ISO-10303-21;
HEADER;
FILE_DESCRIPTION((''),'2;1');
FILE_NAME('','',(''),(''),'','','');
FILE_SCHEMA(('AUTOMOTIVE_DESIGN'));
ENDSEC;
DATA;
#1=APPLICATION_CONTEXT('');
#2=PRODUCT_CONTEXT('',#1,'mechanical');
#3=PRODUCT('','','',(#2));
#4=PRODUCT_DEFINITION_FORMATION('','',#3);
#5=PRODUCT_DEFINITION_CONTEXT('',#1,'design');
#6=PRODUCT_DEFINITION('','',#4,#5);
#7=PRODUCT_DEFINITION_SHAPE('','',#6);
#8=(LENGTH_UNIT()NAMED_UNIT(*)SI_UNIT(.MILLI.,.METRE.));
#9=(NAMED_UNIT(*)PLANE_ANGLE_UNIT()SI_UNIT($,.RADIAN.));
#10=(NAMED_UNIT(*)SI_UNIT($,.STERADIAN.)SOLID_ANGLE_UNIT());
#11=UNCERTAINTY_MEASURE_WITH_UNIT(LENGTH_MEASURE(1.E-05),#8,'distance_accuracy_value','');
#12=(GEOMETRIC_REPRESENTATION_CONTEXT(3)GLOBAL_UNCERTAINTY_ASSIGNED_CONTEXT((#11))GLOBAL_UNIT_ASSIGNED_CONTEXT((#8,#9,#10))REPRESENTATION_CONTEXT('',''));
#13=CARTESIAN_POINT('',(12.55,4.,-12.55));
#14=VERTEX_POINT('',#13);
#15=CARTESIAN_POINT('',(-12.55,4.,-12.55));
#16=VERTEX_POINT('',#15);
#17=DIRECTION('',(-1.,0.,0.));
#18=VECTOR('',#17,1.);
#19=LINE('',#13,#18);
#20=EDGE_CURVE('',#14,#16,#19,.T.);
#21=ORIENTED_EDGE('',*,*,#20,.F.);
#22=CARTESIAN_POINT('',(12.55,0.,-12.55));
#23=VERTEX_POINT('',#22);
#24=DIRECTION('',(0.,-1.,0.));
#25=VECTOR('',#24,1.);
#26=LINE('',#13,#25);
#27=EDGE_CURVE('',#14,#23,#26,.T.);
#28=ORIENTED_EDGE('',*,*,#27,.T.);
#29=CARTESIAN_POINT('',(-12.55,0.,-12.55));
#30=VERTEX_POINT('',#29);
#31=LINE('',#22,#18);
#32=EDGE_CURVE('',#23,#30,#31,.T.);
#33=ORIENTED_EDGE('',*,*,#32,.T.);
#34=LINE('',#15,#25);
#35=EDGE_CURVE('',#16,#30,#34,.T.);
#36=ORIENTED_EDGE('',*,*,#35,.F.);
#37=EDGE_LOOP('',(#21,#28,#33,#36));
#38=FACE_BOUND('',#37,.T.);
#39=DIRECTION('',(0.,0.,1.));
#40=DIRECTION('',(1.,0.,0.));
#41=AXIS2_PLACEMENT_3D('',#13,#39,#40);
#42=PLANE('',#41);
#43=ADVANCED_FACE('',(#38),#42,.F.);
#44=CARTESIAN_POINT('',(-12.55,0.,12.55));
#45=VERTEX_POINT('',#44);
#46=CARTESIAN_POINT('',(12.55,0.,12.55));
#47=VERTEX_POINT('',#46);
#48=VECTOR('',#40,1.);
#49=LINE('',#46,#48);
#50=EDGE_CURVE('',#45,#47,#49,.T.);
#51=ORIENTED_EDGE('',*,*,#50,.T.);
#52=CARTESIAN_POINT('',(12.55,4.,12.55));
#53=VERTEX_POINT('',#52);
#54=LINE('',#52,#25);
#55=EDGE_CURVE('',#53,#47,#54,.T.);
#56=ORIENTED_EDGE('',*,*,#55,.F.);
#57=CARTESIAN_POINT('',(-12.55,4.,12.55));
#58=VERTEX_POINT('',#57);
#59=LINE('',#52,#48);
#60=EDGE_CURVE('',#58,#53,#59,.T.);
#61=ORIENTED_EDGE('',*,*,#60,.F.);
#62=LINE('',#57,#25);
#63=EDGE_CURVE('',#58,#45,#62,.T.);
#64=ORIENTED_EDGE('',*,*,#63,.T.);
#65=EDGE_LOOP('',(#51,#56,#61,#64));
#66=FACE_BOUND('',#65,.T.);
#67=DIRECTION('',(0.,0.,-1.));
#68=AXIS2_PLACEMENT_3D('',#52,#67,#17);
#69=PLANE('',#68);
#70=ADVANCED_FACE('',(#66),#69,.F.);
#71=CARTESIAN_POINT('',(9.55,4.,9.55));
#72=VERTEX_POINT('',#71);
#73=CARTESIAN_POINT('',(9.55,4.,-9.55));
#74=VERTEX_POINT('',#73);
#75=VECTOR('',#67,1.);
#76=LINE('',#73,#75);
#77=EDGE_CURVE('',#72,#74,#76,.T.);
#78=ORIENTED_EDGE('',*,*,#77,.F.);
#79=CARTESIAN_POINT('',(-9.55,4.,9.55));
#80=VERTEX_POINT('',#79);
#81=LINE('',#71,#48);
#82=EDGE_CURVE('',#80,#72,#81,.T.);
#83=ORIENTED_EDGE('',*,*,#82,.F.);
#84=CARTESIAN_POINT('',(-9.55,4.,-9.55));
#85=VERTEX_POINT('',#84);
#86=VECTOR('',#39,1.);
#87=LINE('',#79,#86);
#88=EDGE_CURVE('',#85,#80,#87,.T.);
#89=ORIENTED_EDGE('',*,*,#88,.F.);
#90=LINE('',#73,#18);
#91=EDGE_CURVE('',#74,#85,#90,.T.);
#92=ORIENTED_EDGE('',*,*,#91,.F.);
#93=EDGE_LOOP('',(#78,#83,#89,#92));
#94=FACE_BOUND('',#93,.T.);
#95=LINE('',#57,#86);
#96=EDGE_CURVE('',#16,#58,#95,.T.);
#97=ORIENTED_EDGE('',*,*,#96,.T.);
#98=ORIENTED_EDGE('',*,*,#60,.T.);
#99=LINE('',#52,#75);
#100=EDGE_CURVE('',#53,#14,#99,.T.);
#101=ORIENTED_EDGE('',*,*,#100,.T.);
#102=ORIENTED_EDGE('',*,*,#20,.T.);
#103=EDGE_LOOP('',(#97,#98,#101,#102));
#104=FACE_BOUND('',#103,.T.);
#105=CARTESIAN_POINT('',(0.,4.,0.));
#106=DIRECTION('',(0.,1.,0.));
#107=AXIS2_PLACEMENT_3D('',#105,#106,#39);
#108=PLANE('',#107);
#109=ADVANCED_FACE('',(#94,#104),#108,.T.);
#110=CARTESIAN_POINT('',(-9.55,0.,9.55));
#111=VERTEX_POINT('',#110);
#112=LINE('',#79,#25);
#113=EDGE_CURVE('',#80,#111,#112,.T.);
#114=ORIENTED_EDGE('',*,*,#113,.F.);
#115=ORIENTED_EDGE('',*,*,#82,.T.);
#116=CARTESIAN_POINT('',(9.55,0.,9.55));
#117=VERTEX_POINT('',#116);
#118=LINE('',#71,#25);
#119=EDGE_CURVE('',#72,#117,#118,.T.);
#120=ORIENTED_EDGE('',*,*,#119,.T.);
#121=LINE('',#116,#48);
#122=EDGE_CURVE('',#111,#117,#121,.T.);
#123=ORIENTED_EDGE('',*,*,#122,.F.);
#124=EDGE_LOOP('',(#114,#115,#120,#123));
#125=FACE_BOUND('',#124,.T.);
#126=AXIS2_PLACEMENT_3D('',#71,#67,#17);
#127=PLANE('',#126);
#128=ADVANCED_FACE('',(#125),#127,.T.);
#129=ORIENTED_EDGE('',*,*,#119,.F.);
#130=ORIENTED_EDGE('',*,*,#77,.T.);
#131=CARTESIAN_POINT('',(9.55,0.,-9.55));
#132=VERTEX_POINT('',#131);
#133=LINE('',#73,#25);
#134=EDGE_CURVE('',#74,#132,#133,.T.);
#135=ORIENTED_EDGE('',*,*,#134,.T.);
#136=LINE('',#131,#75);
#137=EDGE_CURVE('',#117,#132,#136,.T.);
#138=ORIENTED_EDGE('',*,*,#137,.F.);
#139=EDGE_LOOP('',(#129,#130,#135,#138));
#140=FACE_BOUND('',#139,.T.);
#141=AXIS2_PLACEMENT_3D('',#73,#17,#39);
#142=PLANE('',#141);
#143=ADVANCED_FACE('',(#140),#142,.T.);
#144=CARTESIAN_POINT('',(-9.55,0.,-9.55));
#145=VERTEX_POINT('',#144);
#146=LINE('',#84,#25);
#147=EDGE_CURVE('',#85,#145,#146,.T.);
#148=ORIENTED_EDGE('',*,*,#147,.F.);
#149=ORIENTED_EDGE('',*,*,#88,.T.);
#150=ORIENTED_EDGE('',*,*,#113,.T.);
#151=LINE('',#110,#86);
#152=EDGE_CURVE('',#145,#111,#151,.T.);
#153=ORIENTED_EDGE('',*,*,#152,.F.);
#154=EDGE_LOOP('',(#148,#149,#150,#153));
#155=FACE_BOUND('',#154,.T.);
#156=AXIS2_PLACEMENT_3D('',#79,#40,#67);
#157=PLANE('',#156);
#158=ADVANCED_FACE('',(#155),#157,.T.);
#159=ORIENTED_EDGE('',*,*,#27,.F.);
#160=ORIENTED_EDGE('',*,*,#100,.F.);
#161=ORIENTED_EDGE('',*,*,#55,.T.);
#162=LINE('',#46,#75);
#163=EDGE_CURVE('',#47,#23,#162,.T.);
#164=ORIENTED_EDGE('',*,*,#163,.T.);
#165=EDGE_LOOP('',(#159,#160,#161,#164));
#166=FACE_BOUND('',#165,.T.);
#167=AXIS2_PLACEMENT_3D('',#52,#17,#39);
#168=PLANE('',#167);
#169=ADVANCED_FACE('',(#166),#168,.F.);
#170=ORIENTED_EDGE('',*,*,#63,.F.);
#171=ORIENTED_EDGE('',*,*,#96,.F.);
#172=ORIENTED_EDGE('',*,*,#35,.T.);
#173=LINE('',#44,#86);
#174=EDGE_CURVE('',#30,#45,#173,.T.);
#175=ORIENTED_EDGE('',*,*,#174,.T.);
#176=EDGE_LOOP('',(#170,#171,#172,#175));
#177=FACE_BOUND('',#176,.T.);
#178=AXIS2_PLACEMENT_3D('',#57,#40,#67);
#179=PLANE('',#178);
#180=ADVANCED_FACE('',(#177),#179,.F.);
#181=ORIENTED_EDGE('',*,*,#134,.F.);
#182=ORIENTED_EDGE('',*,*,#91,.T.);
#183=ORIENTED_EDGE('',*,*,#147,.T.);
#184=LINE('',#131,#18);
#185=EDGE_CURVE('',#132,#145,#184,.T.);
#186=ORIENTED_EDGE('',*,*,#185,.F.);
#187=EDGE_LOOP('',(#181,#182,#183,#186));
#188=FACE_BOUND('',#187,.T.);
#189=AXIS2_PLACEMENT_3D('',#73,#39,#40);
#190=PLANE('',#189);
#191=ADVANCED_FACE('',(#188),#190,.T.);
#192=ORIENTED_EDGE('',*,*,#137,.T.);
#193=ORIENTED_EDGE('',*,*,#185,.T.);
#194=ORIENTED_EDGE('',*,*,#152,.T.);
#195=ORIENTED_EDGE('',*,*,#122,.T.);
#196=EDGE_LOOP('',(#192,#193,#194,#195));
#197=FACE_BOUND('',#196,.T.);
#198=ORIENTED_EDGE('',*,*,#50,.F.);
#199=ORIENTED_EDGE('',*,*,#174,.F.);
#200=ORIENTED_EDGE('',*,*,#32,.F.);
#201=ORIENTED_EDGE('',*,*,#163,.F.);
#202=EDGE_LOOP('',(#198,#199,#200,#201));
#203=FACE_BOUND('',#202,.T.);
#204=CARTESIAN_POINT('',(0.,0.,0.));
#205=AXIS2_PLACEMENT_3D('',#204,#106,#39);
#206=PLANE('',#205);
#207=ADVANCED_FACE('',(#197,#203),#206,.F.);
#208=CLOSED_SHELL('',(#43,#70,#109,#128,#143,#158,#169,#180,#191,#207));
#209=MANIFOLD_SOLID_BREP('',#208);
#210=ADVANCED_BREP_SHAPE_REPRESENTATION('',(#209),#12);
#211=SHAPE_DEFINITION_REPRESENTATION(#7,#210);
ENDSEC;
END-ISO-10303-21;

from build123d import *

# Parameters (mm, degrees)
SKETCH1_W           = 25.1
SKETCH1_H           = 25.1
SKETCH1_W_2         = 19.1
SKETCH1_H_2         = 19.1
BOSS_EXTRUDE1_DEPTH = 4


with BuildPart() as part:
    # Sketch1 → Boss-Extrude1 (new body)
    with BuildSketch(Plane(origin=(0, 0, 0), x_dir=(1, 0, 0), z_dir=(0, 1, 0))):
        Rectangle(SKETCH1_W, SKETCH1_H)
        Rectangle(SKETCH1_W_2, SKETCH1_H_2, mode=Mode.SUBTRACT)
    extrude(amount=BOSS_EXTRUDE1_DEPTH)


solid = part.part
